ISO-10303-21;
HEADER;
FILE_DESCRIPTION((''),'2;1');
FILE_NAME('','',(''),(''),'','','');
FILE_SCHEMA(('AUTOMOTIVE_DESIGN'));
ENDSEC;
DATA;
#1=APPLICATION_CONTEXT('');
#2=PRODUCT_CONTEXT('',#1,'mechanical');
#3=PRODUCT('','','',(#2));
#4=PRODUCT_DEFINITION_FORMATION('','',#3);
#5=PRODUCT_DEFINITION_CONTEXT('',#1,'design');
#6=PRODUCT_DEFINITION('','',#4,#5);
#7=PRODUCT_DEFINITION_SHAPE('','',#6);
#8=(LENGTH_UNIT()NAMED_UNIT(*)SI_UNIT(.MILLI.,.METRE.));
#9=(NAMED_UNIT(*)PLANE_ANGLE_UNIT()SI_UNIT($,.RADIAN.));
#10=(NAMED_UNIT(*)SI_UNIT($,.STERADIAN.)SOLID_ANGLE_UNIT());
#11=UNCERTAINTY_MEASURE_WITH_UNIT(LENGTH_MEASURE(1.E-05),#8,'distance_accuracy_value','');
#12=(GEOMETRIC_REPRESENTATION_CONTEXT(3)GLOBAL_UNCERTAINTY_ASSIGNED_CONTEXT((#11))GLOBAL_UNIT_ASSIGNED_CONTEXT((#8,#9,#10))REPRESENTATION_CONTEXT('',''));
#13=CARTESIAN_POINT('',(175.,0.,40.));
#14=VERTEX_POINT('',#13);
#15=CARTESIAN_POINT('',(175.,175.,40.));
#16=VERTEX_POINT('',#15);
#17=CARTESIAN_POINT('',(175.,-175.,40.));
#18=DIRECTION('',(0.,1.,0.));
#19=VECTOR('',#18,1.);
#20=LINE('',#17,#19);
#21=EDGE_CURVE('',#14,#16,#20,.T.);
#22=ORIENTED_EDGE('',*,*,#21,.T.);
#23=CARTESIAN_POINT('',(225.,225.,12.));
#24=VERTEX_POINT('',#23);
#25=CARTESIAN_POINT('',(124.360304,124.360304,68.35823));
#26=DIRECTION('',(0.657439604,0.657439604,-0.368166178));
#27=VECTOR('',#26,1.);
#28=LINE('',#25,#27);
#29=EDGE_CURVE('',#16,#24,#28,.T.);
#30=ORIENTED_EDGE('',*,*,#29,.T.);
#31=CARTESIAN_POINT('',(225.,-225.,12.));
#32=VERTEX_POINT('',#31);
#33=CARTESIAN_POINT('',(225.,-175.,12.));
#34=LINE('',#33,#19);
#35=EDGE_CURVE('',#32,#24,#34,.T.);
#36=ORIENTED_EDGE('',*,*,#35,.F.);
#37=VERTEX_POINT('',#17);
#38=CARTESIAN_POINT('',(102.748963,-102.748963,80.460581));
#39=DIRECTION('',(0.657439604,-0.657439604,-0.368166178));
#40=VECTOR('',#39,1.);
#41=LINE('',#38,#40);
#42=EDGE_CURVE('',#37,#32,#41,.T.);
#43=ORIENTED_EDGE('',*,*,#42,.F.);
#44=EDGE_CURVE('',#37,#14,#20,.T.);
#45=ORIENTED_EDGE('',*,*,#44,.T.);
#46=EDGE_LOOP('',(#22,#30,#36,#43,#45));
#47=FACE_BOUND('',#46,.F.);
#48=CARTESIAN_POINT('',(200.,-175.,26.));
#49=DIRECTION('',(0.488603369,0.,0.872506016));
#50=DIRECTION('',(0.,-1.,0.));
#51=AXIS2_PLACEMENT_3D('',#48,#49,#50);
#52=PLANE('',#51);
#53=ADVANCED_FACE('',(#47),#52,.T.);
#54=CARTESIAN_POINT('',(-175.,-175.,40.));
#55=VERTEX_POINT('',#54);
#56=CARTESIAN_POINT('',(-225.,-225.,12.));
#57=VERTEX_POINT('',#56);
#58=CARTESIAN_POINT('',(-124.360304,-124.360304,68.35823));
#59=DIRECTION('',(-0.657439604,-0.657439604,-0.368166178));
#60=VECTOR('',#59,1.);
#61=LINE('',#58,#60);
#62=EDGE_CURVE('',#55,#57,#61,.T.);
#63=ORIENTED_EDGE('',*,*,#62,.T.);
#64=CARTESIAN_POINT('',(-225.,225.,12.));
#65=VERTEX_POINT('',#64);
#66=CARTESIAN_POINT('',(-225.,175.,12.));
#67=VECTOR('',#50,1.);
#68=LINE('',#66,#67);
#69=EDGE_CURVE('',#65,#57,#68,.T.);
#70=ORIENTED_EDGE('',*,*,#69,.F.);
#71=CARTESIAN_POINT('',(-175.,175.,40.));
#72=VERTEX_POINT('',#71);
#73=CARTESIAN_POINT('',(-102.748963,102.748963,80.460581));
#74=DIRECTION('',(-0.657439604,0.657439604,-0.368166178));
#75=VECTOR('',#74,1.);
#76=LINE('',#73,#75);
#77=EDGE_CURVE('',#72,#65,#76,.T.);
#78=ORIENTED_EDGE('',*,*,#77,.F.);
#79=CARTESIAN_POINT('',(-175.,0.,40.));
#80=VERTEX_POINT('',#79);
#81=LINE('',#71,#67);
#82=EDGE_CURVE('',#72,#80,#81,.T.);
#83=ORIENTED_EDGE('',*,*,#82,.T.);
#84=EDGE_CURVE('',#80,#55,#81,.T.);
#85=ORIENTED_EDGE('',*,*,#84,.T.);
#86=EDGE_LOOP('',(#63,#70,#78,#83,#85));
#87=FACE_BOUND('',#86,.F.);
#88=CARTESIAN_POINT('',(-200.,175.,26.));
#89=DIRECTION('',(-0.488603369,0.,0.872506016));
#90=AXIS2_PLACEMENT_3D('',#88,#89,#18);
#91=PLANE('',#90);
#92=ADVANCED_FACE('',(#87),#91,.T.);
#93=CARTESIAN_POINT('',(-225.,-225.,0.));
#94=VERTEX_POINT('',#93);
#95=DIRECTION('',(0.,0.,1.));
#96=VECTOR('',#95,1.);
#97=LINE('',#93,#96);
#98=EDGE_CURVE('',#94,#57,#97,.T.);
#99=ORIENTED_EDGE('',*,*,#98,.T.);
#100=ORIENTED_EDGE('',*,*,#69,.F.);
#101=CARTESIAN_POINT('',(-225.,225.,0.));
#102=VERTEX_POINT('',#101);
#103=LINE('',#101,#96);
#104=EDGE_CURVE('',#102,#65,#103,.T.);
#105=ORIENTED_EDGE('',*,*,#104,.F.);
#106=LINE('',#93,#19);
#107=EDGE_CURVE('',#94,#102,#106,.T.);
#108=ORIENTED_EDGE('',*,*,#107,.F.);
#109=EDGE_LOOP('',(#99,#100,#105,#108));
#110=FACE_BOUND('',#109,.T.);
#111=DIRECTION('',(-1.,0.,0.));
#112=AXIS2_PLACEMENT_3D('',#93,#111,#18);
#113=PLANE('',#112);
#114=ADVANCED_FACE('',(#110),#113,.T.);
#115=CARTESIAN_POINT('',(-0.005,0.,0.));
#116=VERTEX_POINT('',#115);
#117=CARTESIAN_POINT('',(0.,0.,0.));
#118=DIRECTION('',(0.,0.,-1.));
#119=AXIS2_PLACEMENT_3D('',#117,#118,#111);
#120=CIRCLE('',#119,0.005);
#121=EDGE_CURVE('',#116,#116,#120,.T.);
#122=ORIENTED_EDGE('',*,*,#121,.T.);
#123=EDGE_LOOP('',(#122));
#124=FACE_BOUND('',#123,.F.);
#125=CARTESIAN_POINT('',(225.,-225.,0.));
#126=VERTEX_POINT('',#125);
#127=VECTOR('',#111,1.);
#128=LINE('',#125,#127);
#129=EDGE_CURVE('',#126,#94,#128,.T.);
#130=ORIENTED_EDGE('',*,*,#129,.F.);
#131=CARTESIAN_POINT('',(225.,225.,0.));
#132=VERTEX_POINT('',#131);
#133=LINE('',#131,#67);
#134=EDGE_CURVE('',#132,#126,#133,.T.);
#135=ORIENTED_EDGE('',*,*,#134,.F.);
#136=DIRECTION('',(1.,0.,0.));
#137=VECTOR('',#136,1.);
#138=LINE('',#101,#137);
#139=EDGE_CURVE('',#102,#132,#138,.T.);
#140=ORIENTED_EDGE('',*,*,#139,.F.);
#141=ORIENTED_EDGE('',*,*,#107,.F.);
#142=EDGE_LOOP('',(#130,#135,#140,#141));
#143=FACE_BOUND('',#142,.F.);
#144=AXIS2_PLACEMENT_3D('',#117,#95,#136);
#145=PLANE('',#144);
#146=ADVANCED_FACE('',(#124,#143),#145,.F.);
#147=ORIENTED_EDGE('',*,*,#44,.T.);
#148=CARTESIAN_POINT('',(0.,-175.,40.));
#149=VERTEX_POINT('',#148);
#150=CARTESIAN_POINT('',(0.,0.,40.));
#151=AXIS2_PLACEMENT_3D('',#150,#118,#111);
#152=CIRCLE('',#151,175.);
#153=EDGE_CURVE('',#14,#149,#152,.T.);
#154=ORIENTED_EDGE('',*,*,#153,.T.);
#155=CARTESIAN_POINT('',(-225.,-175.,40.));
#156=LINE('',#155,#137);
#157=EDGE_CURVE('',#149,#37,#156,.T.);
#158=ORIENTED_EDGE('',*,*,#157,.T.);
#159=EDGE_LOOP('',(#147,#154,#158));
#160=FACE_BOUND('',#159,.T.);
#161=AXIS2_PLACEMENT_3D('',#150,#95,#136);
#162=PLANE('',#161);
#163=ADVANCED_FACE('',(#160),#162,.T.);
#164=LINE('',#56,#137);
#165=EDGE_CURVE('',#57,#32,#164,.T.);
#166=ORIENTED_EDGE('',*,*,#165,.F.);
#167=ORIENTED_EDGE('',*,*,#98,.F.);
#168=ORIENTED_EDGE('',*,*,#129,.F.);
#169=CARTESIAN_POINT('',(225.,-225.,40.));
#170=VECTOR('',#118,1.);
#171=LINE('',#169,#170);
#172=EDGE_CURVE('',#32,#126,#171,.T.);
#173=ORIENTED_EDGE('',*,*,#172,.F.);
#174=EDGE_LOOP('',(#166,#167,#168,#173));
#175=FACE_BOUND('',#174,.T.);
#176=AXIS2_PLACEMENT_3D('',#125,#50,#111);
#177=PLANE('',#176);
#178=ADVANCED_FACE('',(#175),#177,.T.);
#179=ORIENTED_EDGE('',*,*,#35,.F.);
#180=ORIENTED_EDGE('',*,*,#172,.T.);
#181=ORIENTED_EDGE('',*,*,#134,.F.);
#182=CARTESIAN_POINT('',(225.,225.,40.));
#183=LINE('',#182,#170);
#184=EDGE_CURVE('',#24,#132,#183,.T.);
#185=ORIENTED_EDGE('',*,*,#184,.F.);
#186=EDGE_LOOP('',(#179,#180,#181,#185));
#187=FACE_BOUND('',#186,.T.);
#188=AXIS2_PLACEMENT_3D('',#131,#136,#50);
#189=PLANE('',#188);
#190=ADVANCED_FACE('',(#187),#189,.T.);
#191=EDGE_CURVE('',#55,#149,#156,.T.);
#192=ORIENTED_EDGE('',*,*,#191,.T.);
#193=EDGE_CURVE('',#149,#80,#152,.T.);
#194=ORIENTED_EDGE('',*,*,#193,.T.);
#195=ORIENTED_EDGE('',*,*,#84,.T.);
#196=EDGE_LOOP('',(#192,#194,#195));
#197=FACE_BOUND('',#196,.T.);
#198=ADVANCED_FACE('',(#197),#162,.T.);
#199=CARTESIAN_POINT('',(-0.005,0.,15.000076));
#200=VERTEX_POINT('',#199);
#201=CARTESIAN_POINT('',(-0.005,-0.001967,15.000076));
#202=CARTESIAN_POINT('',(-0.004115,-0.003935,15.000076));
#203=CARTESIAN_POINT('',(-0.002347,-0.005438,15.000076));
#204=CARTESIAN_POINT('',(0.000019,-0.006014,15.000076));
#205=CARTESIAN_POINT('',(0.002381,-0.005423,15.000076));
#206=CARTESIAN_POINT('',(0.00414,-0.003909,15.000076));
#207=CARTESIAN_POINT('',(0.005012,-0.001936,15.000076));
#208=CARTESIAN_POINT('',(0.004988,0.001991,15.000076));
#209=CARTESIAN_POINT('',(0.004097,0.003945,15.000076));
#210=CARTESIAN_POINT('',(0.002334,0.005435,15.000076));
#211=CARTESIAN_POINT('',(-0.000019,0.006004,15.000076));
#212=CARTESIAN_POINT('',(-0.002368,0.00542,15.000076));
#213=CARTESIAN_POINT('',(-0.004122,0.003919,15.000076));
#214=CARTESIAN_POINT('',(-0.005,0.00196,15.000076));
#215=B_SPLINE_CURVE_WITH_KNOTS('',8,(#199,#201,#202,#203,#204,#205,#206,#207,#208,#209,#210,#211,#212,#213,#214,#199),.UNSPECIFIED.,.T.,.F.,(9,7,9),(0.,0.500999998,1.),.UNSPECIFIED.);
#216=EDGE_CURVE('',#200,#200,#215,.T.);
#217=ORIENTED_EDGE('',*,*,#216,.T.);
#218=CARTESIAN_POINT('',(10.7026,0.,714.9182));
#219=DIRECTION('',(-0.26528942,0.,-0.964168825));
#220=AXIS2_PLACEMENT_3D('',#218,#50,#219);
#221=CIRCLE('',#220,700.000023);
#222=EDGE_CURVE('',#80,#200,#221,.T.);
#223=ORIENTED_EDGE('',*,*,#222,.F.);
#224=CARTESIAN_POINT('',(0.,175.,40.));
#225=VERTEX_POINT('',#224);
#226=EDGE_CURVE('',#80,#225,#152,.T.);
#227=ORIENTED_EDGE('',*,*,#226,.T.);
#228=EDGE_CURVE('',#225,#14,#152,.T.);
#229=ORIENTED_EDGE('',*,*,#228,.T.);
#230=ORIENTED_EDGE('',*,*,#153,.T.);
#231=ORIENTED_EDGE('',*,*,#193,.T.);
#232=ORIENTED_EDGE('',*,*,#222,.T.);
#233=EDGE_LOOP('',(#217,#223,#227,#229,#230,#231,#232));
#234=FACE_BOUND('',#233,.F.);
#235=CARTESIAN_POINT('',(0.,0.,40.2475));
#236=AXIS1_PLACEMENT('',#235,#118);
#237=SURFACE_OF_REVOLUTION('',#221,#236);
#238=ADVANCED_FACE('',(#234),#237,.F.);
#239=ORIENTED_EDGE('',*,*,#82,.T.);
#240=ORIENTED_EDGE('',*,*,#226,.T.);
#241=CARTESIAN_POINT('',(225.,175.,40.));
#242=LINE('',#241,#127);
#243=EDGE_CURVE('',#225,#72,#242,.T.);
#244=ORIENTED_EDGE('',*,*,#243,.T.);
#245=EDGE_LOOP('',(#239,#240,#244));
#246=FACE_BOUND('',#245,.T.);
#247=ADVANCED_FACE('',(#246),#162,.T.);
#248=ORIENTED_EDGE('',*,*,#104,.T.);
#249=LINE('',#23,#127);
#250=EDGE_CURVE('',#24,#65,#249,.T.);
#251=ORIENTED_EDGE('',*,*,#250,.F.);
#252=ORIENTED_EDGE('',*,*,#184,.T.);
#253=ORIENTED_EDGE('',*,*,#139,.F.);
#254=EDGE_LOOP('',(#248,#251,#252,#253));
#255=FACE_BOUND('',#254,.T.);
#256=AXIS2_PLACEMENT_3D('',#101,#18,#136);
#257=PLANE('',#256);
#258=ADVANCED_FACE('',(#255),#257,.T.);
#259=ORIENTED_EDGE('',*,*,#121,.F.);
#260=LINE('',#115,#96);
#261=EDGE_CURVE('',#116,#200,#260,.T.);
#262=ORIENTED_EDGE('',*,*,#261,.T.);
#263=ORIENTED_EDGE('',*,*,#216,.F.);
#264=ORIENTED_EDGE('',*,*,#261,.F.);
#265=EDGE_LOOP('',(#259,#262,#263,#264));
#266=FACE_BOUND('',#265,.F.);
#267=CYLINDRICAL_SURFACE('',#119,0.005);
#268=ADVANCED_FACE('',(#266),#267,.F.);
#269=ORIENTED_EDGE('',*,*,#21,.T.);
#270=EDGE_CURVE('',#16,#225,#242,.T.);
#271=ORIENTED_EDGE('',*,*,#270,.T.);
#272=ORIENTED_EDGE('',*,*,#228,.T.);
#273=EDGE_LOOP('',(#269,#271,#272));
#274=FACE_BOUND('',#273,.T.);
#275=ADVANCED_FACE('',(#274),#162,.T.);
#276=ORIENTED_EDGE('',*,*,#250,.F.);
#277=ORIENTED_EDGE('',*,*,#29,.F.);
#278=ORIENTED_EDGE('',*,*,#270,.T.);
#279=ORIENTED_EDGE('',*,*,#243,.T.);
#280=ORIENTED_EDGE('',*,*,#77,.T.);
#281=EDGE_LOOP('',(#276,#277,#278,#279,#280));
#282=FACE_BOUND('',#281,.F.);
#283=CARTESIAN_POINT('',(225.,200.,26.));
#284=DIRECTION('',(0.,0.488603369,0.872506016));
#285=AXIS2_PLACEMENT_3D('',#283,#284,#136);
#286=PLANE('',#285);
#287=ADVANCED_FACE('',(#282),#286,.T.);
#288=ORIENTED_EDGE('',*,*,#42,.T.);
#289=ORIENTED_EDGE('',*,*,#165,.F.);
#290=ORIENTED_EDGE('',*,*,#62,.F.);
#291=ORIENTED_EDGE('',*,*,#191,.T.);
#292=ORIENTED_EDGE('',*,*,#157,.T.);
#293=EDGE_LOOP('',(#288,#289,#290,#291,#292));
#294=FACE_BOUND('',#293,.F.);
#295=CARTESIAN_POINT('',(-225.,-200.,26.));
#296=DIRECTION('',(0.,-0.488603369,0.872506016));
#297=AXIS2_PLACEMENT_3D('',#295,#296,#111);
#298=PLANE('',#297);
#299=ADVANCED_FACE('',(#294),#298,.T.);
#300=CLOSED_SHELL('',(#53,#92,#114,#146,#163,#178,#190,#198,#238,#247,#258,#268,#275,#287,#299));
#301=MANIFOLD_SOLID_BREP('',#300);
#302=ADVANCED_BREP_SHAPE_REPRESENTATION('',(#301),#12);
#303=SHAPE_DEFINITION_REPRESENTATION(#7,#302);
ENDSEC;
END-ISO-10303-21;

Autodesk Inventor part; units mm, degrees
ref_plane "YZ Plane" through (0, 0, 0) normal (1, 0, 0) x (0, 1, 0)
ref_plane "XZ Plane" through (0, 0, 0) normal (0, 1, 0) x (-1, 0, 0)
sketch "スケッチ1" plane through (0, 0, 0) normal (0, 0, 1) x (1, 0, 0)
  line L0 (-225, 225) -> (225, 225)
  line L1 (225, 225) -> (225, -225)
  line L2 (225, -225) -> (-225, -225)
  line L3 (-225, -225) -> (-225, 225)
  point P0 (0, 0)
  point P1 (0, 0)
  dimension "d0" = 450
extrude "押し出し1" add sketch "スケッチ1" along normal blind 12
sketch "スケッチ2" plane through (0, 0, 12) normal (0, 0, 1) x (1, 0, 0)
  line L0 (225, 225) -> (-225, 225) projected
  line L1 (-225, 225) -> (-225, -225) projected
  line L2 (-225, -225) -> (225, -225) projected
  line L3 (225, -225) -> (225, 225) projected
  point P0 (0, 0)
extrude "押し出し2" add sketch "スケッチ2" along normal blind 28
chamfer "面取り1" distance 50 distance2 28 1 edges at (0, 225, 40) measured on face at (-75, -75, 40)
chamfer "面取り2" distance 50 distance2 28 1 edges at (0, -225, 40) measured on face at (-75, 41.6667, 40)
chamfer "面取り3" distance 50 distance2 28 1 edges at (-225, 0, 40) measured on face at (-75, 58.3333, 40)
chamfer "面取り4" distance 50 distance2 28 1 edges at (225, 0, 40) measured on face at (-41.6667, -58.3333, 40)
ref_plane "作業平面2" through (-225, 0, 0) normal (0, -1, 0) x (1, 0, 0)
ref_plane "作業平面1" through (-225, 225, 0) normal (0, -1, 0) x (1, 0, 0)
sketch "スケッチ6" plane through (-225, 0, 0) normal (0, -1, 0) x (1, 0, 0)
  line L0 (225, 0) -> (225, 15)
  line L1 (50, 40) -> (0, 12) projected
  arc A0 (50, 40) -> (225, 15) centre (235.7026, 714.9182) ccw
  line L2 (50, 40) -> (225, 40.2475)
  line L3 (225, 40.2475) -> (225, 15)
  dimension "d18" = 15
  dimension "d19" = 700
  dimension "d20" = 175.0002
revolve "回転1" cut sketch "スケッチ6" angle 360 about axis through (0, 0, 40.2475) along (0, 0, -1)
sketch "スケッチ7" plane through (0, 0, 0) normal (0, 0, -1) x (-1, 0, 0)
  circle A0 centre (0, 0) radius 0.005
  dimension "d22" = 0.01
extrude "押し出し3" cut sketch "スケッチ7" against normal through all
properties part number "障害物、窪地"
